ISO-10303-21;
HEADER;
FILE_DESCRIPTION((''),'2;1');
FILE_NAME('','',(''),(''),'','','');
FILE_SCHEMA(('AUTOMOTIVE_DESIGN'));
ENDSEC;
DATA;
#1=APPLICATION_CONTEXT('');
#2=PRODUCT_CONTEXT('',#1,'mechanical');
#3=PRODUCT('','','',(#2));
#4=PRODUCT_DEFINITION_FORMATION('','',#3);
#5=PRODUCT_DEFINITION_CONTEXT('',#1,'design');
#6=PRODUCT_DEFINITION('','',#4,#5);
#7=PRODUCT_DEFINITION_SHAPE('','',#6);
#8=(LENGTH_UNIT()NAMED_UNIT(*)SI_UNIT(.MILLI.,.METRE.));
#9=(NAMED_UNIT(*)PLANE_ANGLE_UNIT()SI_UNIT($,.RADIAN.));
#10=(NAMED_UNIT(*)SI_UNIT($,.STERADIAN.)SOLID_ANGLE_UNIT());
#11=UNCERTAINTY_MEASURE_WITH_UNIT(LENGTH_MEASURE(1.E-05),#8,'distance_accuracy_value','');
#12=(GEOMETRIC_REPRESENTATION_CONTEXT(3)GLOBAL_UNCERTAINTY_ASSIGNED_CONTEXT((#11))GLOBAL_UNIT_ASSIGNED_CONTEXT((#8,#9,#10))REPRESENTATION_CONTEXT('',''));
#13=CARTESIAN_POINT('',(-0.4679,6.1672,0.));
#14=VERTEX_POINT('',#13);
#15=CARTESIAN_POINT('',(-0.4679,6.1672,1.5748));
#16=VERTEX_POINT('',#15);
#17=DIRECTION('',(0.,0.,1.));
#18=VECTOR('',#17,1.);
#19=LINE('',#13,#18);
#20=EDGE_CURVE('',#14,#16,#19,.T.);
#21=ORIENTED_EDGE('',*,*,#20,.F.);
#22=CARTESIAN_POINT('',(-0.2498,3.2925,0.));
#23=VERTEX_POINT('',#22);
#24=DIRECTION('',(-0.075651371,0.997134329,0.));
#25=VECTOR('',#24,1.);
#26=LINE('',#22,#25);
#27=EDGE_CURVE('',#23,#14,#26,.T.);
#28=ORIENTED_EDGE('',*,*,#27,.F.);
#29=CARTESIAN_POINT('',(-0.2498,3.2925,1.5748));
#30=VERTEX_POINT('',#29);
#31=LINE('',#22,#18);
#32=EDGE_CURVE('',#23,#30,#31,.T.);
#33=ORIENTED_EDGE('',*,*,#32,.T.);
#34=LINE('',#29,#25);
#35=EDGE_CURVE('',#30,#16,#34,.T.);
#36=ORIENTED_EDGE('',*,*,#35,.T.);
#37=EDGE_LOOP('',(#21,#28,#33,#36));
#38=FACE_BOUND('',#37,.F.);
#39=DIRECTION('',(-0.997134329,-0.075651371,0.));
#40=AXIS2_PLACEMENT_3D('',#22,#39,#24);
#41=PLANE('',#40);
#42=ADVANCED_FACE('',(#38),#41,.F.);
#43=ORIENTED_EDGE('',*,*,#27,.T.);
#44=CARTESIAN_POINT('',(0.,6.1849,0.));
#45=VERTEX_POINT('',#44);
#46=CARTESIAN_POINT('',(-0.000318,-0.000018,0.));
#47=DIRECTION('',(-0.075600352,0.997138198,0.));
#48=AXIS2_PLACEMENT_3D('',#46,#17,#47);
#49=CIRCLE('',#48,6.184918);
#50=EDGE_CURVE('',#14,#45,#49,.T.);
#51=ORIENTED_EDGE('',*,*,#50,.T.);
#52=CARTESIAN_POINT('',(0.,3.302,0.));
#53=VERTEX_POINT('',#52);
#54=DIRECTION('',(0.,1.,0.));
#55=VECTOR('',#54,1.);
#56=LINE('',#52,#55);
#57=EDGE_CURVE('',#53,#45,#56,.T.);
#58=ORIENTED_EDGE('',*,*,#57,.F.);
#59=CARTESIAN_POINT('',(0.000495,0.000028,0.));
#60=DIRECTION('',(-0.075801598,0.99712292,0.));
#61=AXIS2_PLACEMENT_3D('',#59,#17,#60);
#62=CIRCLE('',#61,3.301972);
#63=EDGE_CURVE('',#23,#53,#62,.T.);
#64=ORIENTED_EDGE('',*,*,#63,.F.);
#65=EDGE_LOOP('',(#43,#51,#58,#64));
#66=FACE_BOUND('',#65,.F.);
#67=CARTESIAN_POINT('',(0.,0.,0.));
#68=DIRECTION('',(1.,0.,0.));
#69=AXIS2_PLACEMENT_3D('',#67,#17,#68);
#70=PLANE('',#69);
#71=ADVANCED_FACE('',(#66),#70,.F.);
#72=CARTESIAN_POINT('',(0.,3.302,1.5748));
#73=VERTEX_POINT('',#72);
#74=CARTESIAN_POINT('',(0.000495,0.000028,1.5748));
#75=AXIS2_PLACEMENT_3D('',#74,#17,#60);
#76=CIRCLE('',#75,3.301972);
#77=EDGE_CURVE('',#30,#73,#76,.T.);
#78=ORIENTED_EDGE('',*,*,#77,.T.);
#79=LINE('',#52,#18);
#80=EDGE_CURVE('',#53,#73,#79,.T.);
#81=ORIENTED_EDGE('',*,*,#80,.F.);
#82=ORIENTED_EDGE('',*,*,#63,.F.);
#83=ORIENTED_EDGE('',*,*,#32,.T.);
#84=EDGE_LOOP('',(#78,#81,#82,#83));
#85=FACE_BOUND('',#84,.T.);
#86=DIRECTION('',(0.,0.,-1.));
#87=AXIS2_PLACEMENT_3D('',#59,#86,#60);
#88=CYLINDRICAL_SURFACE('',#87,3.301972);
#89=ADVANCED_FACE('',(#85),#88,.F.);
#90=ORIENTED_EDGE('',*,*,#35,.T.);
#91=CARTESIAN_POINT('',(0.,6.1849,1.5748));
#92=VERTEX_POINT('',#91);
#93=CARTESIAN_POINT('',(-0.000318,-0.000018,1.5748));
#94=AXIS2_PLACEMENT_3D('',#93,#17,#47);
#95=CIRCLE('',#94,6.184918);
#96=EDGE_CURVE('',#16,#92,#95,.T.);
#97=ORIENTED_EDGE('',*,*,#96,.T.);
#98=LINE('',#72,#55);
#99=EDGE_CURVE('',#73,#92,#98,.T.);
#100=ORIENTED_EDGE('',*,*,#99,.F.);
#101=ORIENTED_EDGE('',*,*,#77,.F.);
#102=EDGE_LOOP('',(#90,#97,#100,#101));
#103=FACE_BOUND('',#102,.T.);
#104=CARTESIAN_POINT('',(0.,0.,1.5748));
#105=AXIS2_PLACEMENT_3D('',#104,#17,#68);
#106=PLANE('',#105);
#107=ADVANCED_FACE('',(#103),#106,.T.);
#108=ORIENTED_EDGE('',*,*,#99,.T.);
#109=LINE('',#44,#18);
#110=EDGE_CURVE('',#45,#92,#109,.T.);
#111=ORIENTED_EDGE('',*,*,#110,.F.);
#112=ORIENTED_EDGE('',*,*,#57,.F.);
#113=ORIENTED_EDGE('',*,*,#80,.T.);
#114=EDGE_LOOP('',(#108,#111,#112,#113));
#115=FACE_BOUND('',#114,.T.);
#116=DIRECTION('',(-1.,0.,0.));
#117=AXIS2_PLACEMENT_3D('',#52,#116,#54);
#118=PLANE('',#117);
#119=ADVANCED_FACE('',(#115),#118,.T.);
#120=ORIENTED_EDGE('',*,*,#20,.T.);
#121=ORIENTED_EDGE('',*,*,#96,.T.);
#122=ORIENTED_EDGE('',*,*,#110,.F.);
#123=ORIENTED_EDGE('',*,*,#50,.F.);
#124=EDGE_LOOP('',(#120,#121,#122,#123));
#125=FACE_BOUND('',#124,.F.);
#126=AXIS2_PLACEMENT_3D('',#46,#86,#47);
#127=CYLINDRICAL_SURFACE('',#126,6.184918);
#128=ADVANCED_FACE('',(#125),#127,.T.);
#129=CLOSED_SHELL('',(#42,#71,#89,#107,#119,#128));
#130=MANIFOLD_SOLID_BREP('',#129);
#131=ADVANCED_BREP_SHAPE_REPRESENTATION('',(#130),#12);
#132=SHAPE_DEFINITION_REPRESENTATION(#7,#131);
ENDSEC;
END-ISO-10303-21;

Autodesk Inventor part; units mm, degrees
ref_plane "YZ Plane" through (0, 0, 0) normal (1, 0, 0) x (0, 1, 0)
ref_plane "XZ Plane" through (0, 0, 0) normal (0, 1, 0) x (-1, 0, 0)
ref_plane "XY Plane" through (0, 0, 0) normal (0, 0, 1) x (1, 0, 0)
sketch "Sketch1" plane through (0, 0, 0) normal (0, 0, 1) x (1, 0, 0)
  arc A0 (-0.4679, 6.1672) -> (0, 6.1849) centre (0, 0) ccw
  arc A1 (-0.2498, 3.2925) -> (0, 3.302) centre (0, 0) ccw
  line L0 (0, 0) -> (-0.2498, 3.2925) construction
  line L1 (0, 0) -> (0, 3.302) construction
  line L2 (-0.2498, 3.2925) -> (-0.4679, 6.1672)
  line L3 (0, 3.302) -> (0, 6.1849)
  dimension "d0" = 0.25
  dimension "d1" = 6.1849
  dimension "d2" = 3.302
extrude "Extrusion1" add sketch "Sketch1" along normal blind 1.5748
properties part number "Washer - Split - 92146A029"
